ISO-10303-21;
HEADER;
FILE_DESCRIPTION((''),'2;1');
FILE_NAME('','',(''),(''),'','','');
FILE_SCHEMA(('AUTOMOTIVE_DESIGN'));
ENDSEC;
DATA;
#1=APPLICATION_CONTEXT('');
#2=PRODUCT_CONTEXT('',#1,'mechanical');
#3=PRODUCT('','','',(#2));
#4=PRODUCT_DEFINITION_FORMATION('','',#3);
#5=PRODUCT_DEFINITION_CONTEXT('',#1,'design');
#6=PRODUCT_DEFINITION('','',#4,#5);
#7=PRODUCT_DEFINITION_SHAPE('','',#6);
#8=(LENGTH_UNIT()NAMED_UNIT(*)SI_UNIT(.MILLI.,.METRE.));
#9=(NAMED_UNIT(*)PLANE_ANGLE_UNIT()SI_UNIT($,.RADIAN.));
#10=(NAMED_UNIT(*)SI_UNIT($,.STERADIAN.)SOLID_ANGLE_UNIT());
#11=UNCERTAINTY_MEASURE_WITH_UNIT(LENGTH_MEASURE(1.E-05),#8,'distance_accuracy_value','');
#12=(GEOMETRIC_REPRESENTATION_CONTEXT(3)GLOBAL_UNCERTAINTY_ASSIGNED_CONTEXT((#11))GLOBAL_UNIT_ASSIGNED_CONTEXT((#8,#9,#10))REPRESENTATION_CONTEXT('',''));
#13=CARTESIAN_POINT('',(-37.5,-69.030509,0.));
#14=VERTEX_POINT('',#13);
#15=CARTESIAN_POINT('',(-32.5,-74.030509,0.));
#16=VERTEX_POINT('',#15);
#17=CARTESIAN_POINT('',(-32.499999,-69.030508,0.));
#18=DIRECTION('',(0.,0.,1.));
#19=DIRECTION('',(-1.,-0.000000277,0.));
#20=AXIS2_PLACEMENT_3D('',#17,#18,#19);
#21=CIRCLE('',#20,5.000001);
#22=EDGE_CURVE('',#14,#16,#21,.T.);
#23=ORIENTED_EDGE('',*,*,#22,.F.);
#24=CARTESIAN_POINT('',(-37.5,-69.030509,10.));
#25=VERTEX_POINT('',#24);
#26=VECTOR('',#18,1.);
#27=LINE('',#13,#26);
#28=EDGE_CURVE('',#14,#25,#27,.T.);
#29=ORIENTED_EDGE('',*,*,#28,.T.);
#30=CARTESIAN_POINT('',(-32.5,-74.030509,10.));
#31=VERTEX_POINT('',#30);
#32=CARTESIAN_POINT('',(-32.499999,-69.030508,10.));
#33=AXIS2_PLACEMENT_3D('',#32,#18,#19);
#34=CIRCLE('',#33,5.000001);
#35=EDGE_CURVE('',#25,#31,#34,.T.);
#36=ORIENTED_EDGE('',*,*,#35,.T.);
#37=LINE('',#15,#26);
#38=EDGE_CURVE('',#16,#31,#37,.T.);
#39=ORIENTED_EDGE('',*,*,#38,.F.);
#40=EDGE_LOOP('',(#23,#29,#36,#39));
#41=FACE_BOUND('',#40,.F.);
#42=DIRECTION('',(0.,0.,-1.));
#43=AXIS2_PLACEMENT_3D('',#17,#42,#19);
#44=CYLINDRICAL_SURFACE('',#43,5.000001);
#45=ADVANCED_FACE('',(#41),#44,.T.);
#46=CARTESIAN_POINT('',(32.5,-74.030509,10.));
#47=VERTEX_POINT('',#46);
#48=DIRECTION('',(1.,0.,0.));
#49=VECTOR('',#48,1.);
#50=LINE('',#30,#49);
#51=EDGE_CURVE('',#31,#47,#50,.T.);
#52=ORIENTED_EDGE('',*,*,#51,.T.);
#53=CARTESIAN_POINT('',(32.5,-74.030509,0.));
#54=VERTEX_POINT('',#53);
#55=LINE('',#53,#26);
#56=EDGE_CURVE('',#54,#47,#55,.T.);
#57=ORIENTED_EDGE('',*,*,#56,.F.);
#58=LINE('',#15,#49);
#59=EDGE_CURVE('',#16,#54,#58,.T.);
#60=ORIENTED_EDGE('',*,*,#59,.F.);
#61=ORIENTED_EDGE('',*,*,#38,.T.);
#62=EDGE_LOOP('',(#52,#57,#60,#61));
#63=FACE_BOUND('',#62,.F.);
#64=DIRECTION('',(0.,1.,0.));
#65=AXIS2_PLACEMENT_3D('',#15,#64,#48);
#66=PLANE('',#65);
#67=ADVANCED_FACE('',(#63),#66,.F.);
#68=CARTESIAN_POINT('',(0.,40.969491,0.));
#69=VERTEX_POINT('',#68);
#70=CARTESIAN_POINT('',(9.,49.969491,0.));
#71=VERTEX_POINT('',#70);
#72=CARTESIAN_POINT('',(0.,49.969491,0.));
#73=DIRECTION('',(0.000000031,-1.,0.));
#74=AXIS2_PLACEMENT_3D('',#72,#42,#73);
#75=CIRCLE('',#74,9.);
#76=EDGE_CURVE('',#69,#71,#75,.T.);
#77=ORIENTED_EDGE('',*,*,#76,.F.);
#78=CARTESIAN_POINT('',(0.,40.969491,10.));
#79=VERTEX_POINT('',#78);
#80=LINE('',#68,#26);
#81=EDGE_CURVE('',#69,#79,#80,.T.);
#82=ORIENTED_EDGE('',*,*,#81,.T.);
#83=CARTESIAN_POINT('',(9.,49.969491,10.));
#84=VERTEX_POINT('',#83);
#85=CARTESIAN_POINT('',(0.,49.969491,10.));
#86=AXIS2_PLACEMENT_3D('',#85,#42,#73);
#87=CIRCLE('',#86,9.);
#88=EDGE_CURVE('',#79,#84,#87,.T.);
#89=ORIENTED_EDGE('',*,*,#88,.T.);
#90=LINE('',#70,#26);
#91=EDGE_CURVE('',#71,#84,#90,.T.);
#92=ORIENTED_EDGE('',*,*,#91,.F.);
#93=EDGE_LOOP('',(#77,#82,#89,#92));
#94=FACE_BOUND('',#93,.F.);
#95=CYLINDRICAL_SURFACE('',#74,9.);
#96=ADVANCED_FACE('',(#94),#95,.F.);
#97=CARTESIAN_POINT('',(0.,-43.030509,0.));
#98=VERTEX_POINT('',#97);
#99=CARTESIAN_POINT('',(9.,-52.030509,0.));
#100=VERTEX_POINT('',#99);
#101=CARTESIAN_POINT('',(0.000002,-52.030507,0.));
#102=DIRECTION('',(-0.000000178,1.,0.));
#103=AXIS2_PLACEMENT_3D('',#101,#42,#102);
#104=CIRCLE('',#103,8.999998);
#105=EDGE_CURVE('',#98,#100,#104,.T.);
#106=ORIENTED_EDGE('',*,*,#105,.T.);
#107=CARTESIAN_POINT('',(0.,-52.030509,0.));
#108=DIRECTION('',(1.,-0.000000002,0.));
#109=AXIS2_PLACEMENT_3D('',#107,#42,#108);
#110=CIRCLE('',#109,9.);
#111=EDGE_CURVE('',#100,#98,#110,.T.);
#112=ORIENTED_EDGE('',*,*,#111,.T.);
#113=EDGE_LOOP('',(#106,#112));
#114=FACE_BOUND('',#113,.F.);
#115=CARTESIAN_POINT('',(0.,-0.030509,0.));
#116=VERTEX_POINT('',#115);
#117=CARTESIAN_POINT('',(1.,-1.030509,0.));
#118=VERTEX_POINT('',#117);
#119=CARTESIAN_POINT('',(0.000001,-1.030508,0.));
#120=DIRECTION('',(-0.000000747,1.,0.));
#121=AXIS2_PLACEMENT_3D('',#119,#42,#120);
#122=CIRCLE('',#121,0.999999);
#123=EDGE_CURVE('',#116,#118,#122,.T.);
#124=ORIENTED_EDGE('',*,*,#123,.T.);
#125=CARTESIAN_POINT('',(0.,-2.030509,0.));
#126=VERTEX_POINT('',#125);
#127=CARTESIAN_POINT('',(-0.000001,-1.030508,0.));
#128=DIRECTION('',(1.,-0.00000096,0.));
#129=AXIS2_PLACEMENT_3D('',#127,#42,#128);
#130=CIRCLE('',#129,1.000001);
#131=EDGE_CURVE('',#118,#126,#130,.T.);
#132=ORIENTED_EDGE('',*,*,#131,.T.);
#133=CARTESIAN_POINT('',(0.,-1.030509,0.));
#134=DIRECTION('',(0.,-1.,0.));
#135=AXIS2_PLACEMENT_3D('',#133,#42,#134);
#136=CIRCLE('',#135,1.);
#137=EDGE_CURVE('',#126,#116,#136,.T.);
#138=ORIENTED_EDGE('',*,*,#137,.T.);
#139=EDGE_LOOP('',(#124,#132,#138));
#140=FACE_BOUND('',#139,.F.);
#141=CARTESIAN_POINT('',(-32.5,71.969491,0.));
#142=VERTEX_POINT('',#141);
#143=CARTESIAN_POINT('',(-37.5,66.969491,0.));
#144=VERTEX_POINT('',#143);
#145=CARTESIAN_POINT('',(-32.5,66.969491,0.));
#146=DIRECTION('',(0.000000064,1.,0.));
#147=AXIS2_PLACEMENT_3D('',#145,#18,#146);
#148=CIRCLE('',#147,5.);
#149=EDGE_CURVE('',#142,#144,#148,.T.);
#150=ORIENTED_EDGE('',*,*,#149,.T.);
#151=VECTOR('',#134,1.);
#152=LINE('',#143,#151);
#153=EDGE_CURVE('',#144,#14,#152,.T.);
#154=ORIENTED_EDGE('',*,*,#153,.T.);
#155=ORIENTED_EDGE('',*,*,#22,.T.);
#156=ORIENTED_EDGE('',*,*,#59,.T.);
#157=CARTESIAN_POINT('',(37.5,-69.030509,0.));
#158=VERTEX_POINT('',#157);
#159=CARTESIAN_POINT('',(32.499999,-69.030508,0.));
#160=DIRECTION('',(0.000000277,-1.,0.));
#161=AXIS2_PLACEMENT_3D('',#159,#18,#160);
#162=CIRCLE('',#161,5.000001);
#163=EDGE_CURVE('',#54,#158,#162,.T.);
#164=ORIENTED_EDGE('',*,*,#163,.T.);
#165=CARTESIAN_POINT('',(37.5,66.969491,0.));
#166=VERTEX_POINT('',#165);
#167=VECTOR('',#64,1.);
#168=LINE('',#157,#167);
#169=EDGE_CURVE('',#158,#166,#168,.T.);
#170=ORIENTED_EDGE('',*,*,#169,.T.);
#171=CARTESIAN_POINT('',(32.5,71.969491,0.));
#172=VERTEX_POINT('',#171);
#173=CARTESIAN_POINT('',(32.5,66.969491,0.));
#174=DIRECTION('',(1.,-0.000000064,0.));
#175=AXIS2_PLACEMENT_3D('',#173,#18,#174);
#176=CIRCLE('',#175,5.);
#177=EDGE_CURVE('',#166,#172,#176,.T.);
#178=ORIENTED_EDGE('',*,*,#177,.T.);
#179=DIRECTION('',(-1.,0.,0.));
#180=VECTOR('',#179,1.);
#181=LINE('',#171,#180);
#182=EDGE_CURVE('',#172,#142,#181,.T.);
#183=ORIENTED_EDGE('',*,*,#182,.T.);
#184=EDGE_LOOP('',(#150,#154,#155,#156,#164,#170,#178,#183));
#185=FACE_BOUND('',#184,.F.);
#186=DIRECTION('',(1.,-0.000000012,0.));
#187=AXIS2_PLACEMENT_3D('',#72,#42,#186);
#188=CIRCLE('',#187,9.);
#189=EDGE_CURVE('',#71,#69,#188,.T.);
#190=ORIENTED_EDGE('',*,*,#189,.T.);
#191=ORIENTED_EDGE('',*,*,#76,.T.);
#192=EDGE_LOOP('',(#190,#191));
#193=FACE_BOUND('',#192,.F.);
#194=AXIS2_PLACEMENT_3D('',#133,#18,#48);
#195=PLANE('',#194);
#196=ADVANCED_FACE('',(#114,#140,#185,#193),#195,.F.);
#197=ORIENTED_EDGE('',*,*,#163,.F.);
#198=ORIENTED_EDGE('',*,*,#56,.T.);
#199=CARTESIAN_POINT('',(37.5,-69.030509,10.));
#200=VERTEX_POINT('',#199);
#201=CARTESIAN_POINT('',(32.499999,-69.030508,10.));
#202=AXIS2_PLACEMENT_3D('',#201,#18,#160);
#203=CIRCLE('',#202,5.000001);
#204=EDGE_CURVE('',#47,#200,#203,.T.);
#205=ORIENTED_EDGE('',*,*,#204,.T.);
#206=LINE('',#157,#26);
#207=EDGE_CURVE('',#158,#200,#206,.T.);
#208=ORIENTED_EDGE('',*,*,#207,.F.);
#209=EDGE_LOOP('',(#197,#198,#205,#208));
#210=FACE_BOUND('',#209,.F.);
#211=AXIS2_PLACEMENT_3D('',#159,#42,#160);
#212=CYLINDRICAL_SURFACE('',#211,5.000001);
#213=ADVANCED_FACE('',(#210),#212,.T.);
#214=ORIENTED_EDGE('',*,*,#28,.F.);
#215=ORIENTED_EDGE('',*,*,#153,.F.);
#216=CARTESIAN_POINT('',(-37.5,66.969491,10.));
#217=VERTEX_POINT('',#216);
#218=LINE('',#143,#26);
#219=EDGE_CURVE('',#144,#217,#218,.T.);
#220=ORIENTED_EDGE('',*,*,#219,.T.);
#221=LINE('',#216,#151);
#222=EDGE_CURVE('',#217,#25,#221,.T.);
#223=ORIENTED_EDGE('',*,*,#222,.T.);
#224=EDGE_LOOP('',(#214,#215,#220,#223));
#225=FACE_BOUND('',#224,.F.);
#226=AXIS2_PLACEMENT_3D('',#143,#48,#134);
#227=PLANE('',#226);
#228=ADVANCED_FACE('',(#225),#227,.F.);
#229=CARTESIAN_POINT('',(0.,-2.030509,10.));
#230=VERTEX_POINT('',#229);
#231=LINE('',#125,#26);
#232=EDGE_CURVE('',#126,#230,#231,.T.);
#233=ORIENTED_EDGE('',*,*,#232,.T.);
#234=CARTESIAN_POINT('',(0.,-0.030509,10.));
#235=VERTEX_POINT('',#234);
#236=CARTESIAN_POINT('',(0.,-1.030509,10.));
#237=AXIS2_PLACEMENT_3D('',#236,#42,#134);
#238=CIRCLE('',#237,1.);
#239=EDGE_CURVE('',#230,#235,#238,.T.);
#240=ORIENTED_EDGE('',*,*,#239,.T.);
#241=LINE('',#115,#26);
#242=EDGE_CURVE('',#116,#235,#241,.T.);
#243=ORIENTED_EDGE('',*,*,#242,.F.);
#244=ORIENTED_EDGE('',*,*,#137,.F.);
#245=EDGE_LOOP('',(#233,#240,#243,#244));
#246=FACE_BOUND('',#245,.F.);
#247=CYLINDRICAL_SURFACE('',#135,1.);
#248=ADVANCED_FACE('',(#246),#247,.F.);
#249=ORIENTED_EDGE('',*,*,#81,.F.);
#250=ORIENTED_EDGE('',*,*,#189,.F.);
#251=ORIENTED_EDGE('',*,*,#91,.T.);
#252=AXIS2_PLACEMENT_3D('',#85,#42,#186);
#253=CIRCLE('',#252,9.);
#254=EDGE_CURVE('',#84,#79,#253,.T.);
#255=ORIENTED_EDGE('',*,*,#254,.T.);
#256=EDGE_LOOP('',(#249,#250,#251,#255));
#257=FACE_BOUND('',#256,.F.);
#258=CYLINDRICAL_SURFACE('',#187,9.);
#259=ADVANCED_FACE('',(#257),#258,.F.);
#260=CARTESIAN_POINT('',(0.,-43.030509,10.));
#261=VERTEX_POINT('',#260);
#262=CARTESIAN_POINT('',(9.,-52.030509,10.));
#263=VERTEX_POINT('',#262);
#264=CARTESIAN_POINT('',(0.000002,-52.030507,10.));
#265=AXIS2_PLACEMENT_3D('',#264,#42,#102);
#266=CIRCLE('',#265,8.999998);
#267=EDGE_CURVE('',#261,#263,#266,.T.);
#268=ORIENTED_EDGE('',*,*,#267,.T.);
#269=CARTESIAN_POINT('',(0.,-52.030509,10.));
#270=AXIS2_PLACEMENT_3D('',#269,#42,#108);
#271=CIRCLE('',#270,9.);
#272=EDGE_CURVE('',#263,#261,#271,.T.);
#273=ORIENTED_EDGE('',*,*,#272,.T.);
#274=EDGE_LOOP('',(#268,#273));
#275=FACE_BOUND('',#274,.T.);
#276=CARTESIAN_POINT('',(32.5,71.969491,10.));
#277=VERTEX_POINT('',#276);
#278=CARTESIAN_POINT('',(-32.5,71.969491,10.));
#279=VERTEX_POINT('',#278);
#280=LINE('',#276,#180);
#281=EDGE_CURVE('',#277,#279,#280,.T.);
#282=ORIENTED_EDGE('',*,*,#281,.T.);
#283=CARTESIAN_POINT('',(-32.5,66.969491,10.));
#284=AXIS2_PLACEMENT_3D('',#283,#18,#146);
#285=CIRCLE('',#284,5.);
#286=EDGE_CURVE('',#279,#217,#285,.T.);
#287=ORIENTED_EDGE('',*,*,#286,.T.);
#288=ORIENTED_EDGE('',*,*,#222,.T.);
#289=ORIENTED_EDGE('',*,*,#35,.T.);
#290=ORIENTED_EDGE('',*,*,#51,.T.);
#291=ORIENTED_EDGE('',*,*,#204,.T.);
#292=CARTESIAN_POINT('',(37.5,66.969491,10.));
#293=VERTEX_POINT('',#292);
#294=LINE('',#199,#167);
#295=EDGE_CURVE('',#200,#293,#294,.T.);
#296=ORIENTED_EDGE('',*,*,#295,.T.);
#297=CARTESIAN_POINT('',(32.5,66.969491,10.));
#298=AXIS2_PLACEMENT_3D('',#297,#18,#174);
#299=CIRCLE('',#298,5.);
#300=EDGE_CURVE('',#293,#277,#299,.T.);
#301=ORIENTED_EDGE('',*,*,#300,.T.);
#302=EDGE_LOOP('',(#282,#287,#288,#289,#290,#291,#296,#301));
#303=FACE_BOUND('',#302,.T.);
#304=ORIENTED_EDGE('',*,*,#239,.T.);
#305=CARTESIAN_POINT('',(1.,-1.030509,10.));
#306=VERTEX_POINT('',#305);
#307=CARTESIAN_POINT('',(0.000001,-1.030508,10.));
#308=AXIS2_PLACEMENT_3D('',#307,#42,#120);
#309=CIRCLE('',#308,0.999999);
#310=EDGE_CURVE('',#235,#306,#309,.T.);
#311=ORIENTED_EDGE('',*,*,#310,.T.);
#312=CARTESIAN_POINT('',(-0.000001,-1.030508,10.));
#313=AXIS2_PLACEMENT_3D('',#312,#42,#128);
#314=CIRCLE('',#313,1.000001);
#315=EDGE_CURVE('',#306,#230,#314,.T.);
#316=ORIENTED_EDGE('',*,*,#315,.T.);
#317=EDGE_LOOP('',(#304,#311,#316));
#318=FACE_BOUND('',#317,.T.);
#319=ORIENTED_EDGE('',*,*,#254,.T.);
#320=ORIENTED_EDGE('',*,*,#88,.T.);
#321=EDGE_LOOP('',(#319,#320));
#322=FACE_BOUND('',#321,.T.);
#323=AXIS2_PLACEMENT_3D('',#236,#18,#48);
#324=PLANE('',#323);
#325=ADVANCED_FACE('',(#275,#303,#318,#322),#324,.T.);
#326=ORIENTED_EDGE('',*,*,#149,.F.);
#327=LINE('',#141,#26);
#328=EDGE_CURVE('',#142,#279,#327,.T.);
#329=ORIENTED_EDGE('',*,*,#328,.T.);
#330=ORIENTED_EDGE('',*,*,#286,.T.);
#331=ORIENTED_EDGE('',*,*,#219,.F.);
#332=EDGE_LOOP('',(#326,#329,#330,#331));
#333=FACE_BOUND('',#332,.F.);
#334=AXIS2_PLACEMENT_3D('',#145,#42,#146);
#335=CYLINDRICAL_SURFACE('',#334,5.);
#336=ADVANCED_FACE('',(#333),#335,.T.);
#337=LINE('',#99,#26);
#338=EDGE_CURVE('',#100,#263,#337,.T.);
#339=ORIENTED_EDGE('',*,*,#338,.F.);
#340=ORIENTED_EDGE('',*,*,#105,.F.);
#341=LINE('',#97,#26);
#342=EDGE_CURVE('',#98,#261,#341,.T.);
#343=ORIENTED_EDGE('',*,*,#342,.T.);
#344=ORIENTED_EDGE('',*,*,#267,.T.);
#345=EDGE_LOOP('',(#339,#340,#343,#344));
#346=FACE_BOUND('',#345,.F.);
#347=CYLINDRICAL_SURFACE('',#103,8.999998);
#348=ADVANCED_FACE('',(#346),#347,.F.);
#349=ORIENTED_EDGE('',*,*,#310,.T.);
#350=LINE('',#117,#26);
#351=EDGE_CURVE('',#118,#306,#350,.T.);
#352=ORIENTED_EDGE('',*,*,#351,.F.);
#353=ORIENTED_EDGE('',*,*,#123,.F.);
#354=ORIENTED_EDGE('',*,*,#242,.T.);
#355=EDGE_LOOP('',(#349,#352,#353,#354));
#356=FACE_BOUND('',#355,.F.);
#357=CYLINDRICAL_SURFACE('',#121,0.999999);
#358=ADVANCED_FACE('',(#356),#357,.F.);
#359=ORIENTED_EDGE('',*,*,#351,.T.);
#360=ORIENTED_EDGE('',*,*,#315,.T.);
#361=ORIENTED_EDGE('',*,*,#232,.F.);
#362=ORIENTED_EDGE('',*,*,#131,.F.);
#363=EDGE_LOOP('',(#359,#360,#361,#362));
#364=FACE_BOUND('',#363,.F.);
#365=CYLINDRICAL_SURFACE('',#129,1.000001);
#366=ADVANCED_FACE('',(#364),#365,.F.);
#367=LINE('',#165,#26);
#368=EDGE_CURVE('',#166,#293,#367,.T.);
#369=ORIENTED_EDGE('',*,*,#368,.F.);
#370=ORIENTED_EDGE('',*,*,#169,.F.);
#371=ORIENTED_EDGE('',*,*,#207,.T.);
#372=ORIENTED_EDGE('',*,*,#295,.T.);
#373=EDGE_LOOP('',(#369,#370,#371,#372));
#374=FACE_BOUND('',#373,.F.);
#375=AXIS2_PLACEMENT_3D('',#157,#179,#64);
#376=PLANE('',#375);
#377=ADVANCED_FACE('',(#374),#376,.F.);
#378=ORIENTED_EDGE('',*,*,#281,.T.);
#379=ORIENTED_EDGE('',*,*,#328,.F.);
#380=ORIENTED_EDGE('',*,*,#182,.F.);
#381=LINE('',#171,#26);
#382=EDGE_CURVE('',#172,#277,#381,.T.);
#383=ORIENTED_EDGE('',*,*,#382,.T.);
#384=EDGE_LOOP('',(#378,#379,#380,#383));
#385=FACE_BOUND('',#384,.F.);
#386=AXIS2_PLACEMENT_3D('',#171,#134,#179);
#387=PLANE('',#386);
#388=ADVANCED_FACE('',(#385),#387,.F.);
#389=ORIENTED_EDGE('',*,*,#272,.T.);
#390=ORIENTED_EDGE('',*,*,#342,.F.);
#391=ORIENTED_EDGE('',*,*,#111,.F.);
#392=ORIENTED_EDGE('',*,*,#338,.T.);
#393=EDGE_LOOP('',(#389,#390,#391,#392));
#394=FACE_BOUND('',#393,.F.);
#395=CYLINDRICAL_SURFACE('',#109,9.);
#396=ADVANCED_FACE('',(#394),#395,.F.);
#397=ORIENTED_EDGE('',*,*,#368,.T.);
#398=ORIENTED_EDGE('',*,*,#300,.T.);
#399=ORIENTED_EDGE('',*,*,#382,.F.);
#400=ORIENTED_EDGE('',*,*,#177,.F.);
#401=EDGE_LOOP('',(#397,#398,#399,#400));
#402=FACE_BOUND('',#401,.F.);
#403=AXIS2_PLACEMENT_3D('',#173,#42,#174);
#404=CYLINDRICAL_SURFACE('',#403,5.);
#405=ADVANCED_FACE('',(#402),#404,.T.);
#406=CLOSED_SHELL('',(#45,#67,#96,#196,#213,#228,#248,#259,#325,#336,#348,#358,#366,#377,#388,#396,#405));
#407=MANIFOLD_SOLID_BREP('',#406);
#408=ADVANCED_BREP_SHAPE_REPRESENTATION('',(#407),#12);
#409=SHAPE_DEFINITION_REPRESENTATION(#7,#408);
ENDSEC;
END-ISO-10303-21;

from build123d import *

# Parameters (mm, degrees)
F1_DEPTH = 10


with BuildPart() as f1:
    # F0 (on Top) → F1 (new body)
    with BuildSketch(Plane.XY):
        with BuildLine():
            ThreePointArc((37.5, 66.969491), (36.035534, 70.505025), (32.5, 71.969491))
            Line((32.5, 71.969491), (-32.5, 71.969491))
            ThreePointArc((-32.5, 71.969491), (-36.035534, 70.505025), (-37.5, 66.969491))
            Line((-37.5, 66.969491), (-37.5, -69.030509))
            ThreePointArc((-37.5, -69.030509), (-36.035534, -72.566042), (-32.5, -74.030509))
            Line((-32.5, -74.030509), (32.5, -74.030509))
            ThreePointArc((32.5, -74.030509), (36.035534, -72.566042), (37.5, -69.030509))
            Line((37.5, -69.030509), (37.5, 66.969491))
        make_face()
        with BuildLine():
            ThreePointArc((9, -52.030509), (-6.363961, -58.39447), (0, -43.030509))
            ThreePointArc((0, -43.030509), (6.363961, -45.666547), (9, -52.030509))
        make_face(mode=Mode.SUBTRACT)
        with BuildLine():
            ThreePointArc((1, -1.030509), (0.707107, -1.737615), (0, -2.030509))
            ThreePointArc((0, -2.030509), (-1, -1.030509), (0, -0.030509))
            ThreePointArc((0, -0.030509), (0.707107, -0.323402), (1, -1.030509))
        make_face(mode=Mode.SUBTRACT)
        with BuildLine():
            ThreePointArc((9, 49.969491), (6.363961, 43.60553), (0, 40.969491))
            ThreePointArc((0, 40.969491), (-6.363961, 56.333453), (9, 49.969491))
        make_face(mode=Mode.SUBTRACT)
    extrude(amount=F1_DEPTH)


solid = f1.part
